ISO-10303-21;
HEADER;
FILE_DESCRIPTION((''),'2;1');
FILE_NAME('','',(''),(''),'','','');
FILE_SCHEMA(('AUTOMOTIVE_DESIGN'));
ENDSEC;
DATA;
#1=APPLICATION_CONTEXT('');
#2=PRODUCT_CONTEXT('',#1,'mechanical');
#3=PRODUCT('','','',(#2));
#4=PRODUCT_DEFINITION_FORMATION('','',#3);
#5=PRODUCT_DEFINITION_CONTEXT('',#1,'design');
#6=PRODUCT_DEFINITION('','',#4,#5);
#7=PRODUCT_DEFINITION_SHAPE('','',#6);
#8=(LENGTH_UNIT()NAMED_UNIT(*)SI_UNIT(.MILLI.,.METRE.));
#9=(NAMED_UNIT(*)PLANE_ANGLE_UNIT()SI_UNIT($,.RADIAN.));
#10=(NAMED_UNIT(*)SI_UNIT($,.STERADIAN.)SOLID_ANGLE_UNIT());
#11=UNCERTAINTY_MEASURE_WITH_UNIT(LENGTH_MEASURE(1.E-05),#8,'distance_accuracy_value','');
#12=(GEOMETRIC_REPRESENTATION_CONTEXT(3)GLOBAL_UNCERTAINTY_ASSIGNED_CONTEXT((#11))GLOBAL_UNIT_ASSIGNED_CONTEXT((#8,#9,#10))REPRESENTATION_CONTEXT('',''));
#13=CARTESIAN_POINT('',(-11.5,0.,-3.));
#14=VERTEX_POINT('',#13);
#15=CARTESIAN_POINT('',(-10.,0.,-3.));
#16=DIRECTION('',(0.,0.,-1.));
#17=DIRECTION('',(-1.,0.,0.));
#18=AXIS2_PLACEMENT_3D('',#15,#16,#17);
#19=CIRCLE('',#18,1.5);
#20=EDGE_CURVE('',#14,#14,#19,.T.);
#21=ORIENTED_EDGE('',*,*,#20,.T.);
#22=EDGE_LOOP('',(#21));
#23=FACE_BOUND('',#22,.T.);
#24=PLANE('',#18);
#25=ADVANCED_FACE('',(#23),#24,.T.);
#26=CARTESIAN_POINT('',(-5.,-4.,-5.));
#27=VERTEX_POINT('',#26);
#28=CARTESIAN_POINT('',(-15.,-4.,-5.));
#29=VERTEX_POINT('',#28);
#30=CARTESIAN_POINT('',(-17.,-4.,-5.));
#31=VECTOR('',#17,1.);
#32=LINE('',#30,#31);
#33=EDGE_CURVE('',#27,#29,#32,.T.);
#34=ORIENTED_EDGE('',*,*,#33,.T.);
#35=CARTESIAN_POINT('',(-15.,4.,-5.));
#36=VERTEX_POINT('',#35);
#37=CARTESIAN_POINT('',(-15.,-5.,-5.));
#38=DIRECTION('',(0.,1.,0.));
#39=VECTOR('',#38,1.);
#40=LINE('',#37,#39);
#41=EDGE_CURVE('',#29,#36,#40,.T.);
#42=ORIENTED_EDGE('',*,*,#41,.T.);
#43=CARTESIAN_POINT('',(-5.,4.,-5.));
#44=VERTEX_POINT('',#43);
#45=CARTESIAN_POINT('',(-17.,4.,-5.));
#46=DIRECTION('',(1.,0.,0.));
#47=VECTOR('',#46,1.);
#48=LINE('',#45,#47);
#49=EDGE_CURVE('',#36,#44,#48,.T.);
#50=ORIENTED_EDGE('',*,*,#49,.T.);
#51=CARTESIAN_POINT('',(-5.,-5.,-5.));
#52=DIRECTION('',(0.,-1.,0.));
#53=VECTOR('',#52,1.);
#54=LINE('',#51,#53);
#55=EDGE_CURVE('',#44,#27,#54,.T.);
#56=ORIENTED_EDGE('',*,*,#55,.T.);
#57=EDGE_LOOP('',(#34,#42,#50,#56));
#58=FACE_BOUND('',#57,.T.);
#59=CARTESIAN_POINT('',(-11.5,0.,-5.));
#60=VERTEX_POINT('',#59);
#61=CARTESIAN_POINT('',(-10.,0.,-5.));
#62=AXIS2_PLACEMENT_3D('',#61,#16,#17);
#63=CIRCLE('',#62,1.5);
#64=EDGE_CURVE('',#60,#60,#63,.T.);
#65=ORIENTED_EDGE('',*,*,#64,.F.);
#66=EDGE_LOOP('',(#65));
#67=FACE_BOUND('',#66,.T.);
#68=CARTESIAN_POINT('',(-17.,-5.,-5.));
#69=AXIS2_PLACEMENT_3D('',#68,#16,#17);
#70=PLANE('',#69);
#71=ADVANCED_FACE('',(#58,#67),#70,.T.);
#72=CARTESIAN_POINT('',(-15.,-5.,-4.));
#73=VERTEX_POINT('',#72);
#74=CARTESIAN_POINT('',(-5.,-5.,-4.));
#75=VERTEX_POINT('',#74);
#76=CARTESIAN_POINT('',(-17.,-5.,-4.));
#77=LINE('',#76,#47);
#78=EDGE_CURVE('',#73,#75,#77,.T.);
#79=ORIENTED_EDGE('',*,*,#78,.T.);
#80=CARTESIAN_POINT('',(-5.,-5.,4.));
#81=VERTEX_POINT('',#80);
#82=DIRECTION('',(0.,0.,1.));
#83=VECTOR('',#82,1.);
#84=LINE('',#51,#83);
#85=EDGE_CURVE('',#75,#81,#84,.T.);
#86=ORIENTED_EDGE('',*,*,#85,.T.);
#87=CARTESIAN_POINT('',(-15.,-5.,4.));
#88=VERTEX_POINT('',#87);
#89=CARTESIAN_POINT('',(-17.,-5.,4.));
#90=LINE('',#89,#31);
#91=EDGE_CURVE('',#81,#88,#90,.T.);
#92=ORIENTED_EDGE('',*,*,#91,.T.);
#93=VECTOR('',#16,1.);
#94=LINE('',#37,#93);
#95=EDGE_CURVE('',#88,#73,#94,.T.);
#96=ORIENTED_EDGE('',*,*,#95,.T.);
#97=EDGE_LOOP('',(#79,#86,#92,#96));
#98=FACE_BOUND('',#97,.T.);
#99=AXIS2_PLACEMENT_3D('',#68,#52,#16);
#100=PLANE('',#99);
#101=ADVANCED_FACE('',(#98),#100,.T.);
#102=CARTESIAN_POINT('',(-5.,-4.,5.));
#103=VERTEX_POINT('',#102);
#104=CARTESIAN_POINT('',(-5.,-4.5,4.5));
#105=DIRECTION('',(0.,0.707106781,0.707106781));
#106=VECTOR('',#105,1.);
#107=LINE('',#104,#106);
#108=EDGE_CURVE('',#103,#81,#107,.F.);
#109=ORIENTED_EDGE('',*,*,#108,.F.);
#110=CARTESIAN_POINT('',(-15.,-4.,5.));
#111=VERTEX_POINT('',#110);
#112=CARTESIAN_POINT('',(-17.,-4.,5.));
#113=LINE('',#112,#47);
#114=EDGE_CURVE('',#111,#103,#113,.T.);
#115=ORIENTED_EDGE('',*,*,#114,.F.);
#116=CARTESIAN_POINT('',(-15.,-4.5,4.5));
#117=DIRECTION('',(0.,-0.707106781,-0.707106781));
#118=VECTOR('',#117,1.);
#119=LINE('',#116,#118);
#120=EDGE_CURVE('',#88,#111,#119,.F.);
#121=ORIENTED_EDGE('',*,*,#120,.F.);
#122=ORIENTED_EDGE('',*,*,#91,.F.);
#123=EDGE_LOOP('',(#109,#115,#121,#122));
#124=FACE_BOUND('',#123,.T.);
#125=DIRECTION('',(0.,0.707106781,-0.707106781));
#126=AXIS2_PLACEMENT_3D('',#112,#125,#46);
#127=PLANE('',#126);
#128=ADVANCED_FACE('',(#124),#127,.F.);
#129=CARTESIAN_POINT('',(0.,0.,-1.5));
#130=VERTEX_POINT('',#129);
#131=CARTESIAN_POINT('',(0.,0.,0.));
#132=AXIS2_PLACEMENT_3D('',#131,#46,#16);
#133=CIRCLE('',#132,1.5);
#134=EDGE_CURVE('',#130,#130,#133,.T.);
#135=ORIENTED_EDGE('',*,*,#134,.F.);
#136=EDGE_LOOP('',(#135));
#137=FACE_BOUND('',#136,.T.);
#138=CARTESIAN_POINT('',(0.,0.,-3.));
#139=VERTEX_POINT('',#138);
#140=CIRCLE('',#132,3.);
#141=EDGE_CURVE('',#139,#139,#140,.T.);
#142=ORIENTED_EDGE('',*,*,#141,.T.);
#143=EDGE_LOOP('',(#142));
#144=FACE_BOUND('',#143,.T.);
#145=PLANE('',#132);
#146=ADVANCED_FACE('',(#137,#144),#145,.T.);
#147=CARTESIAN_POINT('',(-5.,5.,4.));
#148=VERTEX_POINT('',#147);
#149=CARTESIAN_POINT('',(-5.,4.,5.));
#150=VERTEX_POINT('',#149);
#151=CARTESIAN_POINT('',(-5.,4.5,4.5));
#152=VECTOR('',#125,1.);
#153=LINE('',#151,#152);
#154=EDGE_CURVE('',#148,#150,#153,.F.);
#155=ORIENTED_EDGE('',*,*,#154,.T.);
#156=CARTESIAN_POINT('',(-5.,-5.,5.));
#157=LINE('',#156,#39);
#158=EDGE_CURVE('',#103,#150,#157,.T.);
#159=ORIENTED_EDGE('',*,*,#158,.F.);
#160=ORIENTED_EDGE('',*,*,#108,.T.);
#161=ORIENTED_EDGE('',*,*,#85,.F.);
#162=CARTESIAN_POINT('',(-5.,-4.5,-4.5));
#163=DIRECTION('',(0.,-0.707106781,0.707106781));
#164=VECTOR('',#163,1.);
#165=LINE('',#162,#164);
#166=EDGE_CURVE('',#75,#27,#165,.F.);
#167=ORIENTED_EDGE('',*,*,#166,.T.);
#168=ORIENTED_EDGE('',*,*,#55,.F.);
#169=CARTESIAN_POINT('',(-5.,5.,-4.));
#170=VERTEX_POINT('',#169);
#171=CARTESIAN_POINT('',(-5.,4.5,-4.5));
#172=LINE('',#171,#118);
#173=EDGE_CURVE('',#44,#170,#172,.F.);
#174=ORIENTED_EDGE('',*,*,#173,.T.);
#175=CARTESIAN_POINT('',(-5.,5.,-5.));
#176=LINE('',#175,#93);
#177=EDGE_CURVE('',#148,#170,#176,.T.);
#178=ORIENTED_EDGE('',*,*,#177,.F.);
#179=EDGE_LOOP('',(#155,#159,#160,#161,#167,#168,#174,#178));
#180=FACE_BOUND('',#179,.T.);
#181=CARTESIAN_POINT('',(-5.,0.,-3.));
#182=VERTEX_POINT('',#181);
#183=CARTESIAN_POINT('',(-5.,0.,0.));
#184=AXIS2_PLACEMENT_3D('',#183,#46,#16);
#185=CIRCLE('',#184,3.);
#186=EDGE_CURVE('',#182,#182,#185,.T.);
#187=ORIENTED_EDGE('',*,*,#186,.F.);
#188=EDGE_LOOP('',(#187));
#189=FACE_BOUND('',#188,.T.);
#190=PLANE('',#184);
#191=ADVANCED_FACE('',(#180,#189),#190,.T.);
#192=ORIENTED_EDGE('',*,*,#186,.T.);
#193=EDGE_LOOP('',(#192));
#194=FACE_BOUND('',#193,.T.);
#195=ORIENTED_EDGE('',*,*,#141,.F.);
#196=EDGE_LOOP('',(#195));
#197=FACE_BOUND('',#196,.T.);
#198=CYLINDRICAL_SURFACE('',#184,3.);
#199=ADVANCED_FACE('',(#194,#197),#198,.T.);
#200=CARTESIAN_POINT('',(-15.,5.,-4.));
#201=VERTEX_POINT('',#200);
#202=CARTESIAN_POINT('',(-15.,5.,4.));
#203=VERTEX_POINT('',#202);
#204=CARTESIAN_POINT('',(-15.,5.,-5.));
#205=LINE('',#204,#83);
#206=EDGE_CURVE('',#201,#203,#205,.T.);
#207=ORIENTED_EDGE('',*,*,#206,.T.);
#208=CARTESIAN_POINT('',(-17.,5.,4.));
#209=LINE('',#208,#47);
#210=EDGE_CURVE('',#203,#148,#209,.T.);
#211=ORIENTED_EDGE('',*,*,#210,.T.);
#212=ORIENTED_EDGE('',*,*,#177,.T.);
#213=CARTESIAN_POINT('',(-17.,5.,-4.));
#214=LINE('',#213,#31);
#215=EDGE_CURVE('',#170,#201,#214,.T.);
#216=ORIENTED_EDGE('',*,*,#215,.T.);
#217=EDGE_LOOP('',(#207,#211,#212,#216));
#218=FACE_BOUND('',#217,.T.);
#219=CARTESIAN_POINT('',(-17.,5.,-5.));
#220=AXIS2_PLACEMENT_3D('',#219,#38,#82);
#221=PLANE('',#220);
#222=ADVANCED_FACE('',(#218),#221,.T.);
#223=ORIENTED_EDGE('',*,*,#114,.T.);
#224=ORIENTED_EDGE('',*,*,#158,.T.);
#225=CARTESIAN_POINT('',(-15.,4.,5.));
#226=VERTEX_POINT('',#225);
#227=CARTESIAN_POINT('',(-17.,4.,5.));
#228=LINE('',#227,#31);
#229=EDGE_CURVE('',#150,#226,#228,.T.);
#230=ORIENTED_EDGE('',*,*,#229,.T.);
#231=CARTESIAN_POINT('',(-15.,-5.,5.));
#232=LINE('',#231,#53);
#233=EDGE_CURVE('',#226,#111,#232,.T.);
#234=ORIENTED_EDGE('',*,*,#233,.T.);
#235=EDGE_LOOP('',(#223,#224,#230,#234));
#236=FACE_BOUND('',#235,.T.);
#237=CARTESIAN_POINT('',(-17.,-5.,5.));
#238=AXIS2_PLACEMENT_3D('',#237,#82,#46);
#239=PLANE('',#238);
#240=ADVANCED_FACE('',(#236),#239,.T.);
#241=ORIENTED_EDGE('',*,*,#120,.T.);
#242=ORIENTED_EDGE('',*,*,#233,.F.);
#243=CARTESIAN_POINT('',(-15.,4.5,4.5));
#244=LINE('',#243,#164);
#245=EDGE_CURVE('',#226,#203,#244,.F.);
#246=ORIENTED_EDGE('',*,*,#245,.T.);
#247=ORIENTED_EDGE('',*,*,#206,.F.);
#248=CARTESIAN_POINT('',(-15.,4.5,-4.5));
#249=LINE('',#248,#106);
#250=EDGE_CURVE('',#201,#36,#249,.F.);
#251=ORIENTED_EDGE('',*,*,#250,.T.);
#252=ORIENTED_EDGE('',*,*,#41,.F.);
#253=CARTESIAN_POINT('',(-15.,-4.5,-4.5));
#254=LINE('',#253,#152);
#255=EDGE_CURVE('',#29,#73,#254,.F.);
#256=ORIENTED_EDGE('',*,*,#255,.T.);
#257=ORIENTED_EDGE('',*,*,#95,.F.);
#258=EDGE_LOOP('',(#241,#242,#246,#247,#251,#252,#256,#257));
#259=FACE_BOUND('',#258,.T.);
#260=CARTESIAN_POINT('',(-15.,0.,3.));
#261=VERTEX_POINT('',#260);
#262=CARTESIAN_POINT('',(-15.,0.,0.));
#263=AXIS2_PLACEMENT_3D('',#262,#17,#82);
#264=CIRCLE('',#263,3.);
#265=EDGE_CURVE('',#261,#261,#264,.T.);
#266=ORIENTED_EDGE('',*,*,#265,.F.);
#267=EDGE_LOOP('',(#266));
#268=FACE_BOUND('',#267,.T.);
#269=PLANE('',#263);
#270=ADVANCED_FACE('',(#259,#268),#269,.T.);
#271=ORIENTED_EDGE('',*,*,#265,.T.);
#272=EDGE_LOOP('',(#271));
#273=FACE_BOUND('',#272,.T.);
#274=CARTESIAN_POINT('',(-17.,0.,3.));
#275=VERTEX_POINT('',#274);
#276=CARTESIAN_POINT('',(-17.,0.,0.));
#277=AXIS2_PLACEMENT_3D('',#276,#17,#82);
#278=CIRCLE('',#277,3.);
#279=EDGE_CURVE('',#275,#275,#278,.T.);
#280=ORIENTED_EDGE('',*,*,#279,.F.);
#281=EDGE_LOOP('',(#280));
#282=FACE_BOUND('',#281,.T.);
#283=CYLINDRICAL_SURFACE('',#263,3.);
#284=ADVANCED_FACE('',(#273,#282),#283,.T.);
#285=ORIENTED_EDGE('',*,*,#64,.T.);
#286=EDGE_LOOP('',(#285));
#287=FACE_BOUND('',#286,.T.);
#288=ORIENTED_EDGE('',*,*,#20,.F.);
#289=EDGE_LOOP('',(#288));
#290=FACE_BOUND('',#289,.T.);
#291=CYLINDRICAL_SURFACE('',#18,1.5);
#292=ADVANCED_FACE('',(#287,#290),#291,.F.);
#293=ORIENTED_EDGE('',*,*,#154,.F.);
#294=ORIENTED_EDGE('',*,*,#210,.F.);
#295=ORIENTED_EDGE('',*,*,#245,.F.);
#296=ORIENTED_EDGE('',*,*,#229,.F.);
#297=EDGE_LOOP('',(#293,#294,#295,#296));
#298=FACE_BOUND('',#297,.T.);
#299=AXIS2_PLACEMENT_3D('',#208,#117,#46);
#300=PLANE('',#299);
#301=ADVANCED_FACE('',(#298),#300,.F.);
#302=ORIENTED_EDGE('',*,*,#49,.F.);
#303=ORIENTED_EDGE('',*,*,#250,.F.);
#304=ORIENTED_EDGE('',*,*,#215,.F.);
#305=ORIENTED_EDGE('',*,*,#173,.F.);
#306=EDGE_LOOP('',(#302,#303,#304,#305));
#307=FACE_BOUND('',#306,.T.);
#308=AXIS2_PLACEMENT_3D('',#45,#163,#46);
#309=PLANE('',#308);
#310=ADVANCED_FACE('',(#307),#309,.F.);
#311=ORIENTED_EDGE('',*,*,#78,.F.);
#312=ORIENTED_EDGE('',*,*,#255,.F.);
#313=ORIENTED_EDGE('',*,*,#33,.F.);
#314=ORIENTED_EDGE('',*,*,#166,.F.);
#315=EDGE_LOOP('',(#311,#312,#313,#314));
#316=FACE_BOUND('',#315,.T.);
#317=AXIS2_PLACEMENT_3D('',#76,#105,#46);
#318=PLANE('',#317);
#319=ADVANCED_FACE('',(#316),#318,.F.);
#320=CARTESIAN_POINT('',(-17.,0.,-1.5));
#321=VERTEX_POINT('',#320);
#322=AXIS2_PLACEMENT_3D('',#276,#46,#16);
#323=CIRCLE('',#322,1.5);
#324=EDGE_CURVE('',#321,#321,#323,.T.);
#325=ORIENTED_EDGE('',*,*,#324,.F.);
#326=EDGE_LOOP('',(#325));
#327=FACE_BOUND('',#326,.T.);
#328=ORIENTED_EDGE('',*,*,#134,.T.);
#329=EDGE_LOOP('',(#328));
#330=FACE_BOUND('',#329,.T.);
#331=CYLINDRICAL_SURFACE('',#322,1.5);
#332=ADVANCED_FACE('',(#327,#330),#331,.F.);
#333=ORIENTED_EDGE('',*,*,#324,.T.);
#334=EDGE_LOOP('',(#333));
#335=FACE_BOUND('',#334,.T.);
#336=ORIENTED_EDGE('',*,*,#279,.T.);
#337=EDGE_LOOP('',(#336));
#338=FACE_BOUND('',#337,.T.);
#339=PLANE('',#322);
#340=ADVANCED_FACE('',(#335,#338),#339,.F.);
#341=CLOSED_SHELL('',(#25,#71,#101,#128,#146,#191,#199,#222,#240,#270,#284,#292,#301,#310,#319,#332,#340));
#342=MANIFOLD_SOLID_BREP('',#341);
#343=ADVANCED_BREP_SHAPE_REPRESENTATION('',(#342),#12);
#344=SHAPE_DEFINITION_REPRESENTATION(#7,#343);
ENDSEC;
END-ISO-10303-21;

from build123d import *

# Parameters (mm, degrees)
SKETCH1_W           = 10
SKETCH1_H           = 10
BOSS_EXTRUDE1_DEPTH = 17
SKETCH2_R           = 15.353568197
SKETCH2_R_2         = 3
CUT_EXTRUDE1_DEPTH  = 5
CUT_EXTRUDE2_START  = -2
SKETCH3_R           = 15.635411304
SKETCH3_R_2         = 3
CUT_EXTRUDE2_DEPTH  = 2
SKETCH4_R           = 1.5
CUT_EXTRUDE3_DEPTH  = 19.41195264
CHAMFER1_SIZE       = 1
CUT_EXTRUDE4_START  = 5
SKETCH5_R           = 1.5
CUT_EXTRUDE4_DEPTH  = 2


with BuildPart() as part:
    # Sketch1 → Boss-Extrude1 (new body)
    with BuildSketch(Plane(origin=(0, 0, 0), x_dir=(0, 0, -1), z_dir=(1, 0, 0))):
        Rectangle(SKETCH1_W, SKETCH1_H)
    extrude(amount=-BOSS_EXTRUDE1_DEPTH)

    # Sketch2 → Cut-Extrude1 (cut)
    with BuildSketch(Plane(origin=(0, 0, 0), x_dir=(0, 0, -1), z_dir=(1, 0, 0))):
        Circle(SKETCH2_R)
        Circle(SKETCH2_R_2, mode=Mode.SUBTRACT)
    extrude(amount=-CUT_EXTRUDE1_DEPTH, mode=Mode.SUBTRACT)

    # Sketch3 → Cut-Extrude2 (cut)
    with BuildSketch(Plane.ZY.offset(17).offset(CUT_EXTRUDE2_START)):
        Circle(SKETCH3_R)
        with Locations(Location((0, 0, 0), (0, 0, 180))):
            Circle(SKETCH3_R_2, mode=Mode.SUBTRACT)
    extrude(amount=CUT_EXTRUDE2_DEPTH, mode=Mode.SUBTRACT)

    # Sketch4 → Cut-Extrude3 (cut, through all)
    with BuildSketch(Plane(origin=(0, 0, 0), x_dir=(0, 0, -1), z_dir=(1, 0, 0))):
        Circle(SKETCH4_R)
    extrude(amount=-CUT_EXTRUDE3_DEPTH, mode=Mode.SUBTRACT)

    # Chamfer1
    chamfer1_edges = [part.edges().sort_by_distance(p)[0] for p in [
        (-10, -5, -5),
        (-10, -5, 5),
        (-10, 5, -5),
        (-10, 5, 5),
    ]]
    chamfer(chamfer1_edges, length=CHAMFER1_SIZE)

    # Sketch5 → Cut-Extrude4 (cut)
    with BuildSketch(Plane(origin=(0, 0, 0), x_dir=(-1, 0, 0), z_dir=(0, 0, -1)).offset(CUT_EXTRUDE4_START)):
        with Locations((10, 0)):
            Circle(SKETCH5_R)
    extrude(amount=-CUT_EXTRUDE4_DEPTH, mode=Mode.SUBTRACT)


solid = part.part
